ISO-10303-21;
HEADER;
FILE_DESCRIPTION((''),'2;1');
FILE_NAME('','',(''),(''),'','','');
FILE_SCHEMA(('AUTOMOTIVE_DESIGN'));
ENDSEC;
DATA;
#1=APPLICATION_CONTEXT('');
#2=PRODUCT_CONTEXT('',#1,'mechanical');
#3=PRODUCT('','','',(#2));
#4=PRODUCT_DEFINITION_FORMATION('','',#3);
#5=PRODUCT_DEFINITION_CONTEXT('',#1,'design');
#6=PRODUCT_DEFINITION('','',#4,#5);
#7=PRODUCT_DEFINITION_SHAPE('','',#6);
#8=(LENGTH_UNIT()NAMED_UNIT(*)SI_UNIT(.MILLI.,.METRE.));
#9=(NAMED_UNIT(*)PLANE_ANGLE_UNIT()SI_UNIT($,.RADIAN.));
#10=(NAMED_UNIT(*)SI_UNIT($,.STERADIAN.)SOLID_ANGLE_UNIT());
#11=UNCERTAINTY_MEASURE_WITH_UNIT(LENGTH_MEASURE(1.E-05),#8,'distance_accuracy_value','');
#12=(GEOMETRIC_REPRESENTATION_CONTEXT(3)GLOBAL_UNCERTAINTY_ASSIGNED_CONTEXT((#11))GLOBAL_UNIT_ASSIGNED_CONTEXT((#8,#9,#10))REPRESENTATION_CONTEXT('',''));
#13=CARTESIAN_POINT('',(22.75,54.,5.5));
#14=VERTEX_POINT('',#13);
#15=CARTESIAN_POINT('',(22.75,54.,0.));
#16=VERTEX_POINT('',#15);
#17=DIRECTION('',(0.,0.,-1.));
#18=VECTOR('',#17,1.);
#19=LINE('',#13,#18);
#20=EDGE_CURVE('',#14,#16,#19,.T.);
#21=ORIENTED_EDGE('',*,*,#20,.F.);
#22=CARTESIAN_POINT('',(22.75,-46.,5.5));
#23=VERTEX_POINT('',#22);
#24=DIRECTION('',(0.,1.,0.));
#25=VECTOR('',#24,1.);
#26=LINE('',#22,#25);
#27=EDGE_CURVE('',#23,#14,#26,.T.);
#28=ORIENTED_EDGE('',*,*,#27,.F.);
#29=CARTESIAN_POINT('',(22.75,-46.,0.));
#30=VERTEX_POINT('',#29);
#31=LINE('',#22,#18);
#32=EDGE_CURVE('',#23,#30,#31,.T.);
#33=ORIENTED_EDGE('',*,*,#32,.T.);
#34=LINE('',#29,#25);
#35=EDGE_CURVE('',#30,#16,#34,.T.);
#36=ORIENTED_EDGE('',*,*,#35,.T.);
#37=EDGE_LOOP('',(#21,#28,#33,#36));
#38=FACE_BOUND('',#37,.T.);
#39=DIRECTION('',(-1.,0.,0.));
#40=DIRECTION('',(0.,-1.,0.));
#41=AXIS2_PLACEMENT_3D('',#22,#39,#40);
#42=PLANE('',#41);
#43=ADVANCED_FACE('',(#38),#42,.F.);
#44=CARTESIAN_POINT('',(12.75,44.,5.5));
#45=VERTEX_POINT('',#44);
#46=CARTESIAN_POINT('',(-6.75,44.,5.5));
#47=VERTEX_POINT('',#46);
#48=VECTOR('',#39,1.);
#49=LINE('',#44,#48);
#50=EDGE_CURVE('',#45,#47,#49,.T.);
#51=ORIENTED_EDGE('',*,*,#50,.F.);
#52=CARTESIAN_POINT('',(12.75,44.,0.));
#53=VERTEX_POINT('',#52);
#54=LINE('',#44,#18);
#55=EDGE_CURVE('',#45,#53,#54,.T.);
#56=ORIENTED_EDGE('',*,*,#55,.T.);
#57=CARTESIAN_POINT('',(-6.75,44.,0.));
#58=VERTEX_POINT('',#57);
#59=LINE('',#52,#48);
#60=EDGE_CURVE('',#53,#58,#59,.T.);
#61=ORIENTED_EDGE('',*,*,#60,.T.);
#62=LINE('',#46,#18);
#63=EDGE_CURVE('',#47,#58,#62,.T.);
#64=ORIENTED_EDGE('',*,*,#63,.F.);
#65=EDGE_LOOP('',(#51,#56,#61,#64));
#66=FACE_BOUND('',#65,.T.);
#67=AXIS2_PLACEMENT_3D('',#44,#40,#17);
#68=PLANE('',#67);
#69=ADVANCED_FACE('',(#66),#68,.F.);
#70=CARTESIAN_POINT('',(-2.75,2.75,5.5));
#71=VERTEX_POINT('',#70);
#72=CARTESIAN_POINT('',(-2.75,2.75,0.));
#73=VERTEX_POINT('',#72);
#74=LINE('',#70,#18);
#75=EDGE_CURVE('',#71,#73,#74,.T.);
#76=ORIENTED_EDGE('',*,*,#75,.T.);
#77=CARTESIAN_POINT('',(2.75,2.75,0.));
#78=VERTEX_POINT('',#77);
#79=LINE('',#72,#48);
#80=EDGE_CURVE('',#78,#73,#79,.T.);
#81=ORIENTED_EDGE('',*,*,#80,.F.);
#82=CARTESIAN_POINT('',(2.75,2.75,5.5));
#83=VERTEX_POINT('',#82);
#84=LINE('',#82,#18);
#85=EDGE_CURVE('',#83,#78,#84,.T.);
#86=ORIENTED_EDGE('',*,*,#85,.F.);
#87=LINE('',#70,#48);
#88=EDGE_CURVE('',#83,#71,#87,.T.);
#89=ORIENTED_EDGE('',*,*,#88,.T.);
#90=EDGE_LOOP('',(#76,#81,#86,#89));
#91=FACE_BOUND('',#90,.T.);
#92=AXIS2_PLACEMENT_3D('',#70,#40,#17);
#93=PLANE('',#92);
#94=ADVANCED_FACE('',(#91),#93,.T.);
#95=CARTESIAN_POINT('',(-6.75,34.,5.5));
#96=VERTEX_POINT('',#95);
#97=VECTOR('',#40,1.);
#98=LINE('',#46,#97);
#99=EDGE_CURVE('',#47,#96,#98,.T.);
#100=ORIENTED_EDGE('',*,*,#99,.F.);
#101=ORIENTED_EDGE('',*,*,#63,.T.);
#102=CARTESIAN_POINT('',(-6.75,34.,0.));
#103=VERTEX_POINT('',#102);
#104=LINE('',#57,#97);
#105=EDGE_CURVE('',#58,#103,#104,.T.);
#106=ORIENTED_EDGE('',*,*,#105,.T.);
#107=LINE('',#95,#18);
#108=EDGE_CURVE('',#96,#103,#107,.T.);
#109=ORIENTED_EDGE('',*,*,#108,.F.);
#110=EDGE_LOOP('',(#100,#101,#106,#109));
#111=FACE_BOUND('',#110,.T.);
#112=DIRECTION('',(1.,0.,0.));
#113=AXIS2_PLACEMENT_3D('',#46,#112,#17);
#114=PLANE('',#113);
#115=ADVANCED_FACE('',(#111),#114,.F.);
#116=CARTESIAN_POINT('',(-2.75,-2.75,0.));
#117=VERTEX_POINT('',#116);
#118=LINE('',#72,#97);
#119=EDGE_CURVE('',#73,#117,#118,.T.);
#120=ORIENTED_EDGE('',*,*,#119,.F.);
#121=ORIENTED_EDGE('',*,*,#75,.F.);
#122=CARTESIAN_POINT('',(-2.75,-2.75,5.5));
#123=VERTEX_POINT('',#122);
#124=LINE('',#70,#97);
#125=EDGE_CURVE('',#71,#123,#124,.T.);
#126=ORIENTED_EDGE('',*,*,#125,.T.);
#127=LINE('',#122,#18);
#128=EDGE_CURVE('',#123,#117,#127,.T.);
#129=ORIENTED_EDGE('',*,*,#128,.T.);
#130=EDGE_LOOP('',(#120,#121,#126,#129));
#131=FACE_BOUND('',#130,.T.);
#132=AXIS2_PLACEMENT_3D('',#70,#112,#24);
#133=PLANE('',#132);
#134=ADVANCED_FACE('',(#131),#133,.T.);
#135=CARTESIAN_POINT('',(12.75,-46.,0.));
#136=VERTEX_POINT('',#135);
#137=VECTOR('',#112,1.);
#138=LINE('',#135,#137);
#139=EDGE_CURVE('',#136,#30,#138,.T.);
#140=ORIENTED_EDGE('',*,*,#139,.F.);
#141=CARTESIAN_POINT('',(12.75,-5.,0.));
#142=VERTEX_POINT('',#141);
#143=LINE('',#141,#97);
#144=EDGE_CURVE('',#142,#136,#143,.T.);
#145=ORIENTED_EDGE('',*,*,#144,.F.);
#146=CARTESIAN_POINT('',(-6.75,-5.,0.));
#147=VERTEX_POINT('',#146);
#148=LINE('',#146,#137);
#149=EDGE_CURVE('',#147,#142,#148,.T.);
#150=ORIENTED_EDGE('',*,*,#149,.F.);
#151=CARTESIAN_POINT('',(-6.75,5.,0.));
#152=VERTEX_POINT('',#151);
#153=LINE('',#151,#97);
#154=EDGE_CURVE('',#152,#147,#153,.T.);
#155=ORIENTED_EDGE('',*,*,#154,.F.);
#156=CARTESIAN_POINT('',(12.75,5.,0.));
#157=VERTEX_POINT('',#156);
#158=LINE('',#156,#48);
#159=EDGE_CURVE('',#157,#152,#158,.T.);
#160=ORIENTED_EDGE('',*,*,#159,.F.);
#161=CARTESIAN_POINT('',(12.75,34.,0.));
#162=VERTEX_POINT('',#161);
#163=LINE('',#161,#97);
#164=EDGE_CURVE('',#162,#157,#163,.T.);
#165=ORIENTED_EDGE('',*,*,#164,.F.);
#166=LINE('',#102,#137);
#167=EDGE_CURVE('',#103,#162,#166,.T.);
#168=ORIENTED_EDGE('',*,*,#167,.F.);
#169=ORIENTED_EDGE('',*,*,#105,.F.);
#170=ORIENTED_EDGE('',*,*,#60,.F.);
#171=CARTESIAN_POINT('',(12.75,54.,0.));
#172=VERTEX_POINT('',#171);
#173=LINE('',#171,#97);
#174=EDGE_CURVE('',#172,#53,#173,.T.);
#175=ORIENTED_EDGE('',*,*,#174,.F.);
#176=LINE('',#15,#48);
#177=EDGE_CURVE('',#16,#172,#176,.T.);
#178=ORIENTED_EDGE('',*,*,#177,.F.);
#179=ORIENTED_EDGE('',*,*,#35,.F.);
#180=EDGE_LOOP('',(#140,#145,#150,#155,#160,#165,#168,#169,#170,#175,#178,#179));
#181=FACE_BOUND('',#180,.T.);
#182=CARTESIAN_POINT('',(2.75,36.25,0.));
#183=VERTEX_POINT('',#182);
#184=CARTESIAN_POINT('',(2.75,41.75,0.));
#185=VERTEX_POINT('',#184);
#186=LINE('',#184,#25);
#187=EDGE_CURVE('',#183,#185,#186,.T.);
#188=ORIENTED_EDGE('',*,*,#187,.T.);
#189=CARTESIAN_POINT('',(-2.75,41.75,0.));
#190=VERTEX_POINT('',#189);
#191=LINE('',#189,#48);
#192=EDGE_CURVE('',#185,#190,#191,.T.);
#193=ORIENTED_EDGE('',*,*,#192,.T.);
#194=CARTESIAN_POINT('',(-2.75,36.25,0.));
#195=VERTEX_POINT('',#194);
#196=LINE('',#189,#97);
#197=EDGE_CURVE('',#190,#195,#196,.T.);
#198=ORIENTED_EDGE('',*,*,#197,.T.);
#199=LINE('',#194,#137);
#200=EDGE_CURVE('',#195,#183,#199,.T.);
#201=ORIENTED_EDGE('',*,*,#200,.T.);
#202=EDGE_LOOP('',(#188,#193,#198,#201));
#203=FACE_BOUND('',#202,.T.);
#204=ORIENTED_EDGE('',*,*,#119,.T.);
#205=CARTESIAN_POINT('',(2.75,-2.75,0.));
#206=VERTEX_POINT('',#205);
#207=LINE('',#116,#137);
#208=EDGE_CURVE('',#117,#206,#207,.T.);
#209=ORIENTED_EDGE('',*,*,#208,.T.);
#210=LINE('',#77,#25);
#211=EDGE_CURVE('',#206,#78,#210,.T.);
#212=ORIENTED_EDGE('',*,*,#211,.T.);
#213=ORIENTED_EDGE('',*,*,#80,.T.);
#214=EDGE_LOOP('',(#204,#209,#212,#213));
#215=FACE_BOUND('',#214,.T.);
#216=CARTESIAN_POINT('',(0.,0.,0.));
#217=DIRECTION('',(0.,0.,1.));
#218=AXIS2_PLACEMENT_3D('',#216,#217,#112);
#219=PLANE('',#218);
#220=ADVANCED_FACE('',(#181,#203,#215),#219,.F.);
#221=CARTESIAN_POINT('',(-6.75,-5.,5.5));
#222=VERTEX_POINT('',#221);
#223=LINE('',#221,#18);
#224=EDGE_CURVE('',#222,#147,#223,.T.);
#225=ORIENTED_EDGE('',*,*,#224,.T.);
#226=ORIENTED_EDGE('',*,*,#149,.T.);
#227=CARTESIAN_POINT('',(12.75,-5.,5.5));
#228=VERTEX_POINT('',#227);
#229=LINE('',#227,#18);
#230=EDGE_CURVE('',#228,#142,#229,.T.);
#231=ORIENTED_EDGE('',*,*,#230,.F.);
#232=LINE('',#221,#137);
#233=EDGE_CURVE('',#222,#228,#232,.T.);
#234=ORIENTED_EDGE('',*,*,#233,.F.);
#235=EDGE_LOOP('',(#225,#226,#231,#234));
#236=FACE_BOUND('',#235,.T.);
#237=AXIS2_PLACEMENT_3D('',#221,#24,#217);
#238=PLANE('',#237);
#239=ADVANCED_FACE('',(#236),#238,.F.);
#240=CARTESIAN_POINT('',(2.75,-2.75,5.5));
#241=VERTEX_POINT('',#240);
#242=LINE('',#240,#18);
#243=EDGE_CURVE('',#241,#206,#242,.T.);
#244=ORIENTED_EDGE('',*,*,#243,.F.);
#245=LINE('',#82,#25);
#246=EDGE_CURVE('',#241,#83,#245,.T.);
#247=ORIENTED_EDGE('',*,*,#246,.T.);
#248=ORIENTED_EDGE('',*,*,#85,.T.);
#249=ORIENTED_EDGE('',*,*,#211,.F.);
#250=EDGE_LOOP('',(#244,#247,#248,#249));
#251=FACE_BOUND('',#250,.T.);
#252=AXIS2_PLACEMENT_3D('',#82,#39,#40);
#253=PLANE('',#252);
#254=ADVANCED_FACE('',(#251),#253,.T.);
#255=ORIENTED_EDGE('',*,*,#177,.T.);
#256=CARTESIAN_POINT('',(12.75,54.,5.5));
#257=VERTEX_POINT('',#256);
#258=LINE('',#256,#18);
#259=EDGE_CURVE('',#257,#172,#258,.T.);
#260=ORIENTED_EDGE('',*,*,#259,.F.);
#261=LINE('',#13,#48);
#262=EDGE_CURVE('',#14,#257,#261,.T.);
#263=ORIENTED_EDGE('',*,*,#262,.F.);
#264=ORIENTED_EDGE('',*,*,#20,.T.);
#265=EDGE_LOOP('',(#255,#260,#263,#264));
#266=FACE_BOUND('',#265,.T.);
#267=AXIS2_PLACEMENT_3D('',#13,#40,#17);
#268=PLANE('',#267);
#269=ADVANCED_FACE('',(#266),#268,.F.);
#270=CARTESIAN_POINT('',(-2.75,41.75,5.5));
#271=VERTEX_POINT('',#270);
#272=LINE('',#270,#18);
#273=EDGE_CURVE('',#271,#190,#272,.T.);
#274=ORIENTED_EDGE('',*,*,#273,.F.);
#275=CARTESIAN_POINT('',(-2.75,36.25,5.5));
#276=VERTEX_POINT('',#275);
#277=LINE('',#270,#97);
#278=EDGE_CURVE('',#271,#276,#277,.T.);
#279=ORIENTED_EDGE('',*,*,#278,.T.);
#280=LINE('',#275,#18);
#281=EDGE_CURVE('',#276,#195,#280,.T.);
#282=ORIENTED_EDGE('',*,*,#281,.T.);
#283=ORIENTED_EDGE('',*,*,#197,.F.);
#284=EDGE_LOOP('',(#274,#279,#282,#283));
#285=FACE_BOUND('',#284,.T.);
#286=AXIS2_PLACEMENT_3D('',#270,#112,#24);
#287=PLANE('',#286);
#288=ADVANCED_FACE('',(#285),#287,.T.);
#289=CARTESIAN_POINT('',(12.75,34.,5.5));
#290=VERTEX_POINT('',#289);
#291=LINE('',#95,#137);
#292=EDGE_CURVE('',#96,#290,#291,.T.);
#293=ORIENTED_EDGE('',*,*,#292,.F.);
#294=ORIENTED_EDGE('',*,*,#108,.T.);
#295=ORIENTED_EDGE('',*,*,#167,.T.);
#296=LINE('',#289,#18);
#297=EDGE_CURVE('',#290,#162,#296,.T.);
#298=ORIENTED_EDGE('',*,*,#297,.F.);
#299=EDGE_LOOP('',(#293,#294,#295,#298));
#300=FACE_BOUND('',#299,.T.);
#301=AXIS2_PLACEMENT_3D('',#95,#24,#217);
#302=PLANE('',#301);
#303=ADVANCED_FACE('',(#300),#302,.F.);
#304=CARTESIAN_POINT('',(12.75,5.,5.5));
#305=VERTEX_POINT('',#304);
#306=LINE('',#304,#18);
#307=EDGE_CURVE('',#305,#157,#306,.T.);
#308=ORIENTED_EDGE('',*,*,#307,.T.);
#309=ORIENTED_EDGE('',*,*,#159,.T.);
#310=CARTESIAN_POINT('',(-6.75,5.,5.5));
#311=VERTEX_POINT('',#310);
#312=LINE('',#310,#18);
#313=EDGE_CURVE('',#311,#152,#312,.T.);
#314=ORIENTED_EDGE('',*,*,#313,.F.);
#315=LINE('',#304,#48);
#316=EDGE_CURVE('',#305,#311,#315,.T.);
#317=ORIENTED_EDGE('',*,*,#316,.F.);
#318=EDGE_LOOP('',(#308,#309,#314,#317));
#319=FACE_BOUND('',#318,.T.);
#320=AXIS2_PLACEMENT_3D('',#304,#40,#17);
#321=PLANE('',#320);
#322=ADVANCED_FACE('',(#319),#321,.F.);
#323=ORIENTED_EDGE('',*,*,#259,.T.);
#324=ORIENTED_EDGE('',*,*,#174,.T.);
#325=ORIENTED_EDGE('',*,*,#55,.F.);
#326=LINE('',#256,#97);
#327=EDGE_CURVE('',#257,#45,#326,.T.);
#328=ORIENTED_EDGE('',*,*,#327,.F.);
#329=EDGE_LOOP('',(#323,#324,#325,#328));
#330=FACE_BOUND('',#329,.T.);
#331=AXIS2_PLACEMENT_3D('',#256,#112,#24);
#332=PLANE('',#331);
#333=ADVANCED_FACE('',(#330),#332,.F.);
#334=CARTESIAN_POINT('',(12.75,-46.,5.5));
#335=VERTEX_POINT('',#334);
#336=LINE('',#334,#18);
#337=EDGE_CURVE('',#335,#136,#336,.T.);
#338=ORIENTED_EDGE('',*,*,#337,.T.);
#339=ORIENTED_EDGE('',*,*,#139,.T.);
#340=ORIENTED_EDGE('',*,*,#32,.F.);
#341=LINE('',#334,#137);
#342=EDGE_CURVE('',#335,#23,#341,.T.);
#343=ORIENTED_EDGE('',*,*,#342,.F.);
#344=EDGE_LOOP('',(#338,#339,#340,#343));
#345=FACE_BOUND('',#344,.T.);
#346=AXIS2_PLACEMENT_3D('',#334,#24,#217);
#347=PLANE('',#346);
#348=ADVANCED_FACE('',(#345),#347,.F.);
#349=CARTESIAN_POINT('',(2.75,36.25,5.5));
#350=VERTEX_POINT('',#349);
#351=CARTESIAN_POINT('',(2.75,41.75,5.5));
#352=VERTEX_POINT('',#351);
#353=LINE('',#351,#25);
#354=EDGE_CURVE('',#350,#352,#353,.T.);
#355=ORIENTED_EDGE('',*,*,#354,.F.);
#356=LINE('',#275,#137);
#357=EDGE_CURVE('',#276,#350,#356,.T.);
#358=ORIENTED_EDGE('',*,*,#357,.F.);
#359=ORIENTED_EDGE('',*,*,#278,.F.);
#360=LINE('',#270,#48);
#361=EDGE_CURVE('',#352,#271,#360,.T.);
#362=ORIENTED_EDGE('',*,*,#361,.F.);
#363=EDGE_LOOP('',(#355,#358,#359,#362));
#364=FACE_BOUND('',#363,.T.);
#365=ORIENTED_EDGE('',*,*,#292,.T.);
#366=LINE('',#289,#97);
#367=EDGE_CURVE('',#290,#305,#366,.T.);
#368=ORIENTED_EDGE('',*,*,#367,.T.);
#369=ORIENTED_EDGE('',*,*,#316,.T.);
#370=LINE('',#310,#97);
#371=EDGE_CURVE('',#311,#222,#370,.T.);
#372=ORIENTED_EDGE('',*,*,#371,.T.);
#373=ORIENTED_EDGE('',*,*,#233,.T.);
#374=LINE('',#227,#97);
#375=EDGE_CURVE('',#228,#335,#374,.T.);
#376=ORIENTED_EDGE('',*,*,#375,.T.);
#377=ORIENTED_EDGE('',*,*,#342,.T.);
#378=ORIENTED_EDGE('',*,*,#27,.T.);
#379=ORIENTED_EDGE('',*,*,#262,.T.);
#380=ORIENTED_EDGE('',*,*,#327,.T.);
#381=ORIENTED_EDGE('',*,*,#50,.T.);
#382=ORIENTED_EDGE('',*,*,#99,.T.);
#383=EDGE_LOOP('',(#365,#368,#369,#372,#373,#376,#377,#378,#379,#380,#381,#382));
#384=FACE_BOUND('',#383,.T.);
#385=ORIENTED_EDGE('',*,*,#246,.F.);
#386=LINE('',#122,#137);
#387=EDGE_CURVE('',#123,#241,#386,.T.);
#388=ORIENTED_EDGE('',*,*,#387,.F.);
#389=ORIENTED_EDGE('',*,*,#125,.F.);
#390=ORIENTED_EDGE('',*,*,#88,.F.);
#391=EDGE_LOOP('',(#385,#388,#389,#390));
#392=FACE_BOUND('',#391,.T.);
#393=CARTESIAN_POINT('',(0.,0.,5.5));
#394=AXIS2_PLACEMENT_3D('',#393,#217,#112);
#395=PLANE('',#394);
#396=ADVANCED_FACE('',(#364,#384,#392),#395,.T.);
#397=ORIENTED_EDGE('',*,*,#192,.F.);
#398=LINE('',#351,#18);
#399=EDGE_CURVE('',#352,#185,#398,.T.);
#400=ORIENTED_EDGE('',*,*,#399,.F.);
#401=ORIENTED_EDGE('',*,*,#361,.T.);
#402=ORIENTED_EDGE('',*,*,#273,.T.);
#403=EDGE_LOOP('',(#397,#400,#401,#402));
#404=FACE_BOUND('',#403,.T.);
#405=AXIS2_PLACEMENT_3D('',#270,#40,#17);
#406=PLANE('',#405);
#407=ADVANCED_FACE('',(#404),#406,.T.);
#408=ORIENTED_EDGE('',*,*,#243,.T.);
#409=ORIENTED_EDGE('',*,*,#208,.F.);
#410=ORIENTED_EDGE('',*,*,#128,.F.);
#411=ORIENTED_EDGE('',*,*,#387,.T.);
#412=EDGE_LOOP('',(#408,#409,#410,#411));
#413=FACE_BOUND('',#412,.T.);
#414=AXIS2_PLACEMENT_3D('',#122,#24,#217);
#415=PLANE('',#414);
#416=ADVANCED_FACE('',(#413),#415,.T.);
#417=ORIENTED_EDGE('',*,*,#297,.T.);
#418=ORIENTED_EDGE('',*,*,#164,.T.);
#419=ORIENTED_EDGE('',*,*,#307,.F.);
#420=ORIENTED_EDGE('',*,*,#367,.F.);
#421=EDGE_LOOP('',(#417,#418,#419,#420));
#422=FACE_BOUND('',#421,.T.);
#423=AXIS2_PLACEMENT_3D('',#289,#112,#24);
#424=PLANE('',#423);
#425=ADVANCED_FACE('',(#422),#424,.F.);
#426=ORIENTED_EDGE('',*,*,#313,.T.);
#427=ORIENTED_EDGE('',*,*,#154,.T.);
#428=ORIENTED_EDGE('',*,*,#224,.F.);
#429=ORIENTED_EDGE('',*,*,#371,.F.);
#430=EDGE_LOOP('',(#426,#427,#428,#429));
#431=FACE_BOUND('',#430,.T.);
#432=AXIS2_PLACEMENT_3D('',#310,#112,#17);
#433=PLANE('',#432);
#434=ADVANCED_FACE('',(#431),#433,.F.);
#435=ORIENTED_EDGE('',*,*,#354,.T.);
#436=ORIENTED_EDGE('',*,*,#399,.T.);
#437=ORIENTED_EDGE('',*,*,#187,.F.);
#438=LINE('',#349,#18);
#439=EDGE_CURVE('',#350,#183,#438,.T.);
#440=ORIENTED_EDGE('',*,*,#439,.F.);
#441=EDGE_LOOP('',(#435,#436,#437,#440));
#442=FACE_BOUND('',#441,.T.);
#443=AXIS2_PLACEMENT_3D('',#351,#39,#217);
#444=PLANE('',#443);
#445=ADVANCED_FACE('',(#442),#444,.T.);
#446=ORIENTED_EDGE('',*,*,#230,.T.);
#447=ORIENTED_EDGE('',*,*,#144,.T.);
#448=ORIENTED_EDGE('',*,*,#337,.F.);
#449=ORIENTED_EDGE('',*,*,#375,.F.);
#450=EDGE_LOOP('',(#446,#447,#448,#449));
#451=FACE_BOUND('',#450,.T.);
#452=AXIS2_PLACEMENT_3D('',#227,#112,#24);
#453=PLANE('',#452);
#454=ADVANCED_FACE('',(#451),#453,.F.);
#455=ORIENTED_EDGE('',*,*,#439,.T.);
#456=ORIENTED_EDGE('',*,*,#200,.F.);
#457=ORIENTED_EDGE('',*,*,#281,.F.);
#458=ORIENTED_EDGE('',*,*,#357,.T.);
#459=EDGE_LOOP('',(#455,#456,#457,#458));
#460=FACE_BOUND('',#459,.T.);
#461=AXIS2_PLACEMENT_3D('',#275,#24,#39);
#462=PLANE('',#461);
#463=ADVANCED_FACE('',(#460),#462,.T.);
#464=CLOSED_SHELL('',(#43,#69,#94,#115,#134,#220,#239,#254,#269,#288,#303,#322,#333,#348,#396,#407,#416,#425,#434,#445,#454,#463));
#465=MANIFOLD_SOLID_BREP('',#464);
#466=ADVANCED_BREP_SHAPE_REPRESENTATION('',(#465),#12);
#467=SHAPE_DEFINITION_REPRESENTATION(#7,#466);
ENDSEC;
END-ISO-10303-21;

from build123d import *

# Parameters (mm, degrees)
SKETCH_1_W      = 5.5
SKETCH_1_H      = 5.5
EXTRUDE_1_DEPTH = 5.5


with BuildPart() as part:
    # ｽｹｯﾁ1 → ﾎﾞｽ - 押し出し1 (new body)
    with BuildSketch(Plane.XY):
        Polygon((-6.75, 5), (-6.75, -5), (12.75, -5), (12.75, -46), (22.75, -46), (22.75, 54), (12.75, 54), (12.75, 44), (-6.75, 44), (-6.75, 34), (12.75, 34), (12.75, 5), align=None)
        Rectangle(SKETCH_1_W, SKETCH_1_H, mode=Mode.SUBTRACT)
        with Locations((0, 39)):
            Rectangle(SKETCH_1_W, SKETCH_1_H, mode=Mode.SUBTRACT)
    extrude(amount=EXTRUDE_1_DEPTH)


solid = part.part
